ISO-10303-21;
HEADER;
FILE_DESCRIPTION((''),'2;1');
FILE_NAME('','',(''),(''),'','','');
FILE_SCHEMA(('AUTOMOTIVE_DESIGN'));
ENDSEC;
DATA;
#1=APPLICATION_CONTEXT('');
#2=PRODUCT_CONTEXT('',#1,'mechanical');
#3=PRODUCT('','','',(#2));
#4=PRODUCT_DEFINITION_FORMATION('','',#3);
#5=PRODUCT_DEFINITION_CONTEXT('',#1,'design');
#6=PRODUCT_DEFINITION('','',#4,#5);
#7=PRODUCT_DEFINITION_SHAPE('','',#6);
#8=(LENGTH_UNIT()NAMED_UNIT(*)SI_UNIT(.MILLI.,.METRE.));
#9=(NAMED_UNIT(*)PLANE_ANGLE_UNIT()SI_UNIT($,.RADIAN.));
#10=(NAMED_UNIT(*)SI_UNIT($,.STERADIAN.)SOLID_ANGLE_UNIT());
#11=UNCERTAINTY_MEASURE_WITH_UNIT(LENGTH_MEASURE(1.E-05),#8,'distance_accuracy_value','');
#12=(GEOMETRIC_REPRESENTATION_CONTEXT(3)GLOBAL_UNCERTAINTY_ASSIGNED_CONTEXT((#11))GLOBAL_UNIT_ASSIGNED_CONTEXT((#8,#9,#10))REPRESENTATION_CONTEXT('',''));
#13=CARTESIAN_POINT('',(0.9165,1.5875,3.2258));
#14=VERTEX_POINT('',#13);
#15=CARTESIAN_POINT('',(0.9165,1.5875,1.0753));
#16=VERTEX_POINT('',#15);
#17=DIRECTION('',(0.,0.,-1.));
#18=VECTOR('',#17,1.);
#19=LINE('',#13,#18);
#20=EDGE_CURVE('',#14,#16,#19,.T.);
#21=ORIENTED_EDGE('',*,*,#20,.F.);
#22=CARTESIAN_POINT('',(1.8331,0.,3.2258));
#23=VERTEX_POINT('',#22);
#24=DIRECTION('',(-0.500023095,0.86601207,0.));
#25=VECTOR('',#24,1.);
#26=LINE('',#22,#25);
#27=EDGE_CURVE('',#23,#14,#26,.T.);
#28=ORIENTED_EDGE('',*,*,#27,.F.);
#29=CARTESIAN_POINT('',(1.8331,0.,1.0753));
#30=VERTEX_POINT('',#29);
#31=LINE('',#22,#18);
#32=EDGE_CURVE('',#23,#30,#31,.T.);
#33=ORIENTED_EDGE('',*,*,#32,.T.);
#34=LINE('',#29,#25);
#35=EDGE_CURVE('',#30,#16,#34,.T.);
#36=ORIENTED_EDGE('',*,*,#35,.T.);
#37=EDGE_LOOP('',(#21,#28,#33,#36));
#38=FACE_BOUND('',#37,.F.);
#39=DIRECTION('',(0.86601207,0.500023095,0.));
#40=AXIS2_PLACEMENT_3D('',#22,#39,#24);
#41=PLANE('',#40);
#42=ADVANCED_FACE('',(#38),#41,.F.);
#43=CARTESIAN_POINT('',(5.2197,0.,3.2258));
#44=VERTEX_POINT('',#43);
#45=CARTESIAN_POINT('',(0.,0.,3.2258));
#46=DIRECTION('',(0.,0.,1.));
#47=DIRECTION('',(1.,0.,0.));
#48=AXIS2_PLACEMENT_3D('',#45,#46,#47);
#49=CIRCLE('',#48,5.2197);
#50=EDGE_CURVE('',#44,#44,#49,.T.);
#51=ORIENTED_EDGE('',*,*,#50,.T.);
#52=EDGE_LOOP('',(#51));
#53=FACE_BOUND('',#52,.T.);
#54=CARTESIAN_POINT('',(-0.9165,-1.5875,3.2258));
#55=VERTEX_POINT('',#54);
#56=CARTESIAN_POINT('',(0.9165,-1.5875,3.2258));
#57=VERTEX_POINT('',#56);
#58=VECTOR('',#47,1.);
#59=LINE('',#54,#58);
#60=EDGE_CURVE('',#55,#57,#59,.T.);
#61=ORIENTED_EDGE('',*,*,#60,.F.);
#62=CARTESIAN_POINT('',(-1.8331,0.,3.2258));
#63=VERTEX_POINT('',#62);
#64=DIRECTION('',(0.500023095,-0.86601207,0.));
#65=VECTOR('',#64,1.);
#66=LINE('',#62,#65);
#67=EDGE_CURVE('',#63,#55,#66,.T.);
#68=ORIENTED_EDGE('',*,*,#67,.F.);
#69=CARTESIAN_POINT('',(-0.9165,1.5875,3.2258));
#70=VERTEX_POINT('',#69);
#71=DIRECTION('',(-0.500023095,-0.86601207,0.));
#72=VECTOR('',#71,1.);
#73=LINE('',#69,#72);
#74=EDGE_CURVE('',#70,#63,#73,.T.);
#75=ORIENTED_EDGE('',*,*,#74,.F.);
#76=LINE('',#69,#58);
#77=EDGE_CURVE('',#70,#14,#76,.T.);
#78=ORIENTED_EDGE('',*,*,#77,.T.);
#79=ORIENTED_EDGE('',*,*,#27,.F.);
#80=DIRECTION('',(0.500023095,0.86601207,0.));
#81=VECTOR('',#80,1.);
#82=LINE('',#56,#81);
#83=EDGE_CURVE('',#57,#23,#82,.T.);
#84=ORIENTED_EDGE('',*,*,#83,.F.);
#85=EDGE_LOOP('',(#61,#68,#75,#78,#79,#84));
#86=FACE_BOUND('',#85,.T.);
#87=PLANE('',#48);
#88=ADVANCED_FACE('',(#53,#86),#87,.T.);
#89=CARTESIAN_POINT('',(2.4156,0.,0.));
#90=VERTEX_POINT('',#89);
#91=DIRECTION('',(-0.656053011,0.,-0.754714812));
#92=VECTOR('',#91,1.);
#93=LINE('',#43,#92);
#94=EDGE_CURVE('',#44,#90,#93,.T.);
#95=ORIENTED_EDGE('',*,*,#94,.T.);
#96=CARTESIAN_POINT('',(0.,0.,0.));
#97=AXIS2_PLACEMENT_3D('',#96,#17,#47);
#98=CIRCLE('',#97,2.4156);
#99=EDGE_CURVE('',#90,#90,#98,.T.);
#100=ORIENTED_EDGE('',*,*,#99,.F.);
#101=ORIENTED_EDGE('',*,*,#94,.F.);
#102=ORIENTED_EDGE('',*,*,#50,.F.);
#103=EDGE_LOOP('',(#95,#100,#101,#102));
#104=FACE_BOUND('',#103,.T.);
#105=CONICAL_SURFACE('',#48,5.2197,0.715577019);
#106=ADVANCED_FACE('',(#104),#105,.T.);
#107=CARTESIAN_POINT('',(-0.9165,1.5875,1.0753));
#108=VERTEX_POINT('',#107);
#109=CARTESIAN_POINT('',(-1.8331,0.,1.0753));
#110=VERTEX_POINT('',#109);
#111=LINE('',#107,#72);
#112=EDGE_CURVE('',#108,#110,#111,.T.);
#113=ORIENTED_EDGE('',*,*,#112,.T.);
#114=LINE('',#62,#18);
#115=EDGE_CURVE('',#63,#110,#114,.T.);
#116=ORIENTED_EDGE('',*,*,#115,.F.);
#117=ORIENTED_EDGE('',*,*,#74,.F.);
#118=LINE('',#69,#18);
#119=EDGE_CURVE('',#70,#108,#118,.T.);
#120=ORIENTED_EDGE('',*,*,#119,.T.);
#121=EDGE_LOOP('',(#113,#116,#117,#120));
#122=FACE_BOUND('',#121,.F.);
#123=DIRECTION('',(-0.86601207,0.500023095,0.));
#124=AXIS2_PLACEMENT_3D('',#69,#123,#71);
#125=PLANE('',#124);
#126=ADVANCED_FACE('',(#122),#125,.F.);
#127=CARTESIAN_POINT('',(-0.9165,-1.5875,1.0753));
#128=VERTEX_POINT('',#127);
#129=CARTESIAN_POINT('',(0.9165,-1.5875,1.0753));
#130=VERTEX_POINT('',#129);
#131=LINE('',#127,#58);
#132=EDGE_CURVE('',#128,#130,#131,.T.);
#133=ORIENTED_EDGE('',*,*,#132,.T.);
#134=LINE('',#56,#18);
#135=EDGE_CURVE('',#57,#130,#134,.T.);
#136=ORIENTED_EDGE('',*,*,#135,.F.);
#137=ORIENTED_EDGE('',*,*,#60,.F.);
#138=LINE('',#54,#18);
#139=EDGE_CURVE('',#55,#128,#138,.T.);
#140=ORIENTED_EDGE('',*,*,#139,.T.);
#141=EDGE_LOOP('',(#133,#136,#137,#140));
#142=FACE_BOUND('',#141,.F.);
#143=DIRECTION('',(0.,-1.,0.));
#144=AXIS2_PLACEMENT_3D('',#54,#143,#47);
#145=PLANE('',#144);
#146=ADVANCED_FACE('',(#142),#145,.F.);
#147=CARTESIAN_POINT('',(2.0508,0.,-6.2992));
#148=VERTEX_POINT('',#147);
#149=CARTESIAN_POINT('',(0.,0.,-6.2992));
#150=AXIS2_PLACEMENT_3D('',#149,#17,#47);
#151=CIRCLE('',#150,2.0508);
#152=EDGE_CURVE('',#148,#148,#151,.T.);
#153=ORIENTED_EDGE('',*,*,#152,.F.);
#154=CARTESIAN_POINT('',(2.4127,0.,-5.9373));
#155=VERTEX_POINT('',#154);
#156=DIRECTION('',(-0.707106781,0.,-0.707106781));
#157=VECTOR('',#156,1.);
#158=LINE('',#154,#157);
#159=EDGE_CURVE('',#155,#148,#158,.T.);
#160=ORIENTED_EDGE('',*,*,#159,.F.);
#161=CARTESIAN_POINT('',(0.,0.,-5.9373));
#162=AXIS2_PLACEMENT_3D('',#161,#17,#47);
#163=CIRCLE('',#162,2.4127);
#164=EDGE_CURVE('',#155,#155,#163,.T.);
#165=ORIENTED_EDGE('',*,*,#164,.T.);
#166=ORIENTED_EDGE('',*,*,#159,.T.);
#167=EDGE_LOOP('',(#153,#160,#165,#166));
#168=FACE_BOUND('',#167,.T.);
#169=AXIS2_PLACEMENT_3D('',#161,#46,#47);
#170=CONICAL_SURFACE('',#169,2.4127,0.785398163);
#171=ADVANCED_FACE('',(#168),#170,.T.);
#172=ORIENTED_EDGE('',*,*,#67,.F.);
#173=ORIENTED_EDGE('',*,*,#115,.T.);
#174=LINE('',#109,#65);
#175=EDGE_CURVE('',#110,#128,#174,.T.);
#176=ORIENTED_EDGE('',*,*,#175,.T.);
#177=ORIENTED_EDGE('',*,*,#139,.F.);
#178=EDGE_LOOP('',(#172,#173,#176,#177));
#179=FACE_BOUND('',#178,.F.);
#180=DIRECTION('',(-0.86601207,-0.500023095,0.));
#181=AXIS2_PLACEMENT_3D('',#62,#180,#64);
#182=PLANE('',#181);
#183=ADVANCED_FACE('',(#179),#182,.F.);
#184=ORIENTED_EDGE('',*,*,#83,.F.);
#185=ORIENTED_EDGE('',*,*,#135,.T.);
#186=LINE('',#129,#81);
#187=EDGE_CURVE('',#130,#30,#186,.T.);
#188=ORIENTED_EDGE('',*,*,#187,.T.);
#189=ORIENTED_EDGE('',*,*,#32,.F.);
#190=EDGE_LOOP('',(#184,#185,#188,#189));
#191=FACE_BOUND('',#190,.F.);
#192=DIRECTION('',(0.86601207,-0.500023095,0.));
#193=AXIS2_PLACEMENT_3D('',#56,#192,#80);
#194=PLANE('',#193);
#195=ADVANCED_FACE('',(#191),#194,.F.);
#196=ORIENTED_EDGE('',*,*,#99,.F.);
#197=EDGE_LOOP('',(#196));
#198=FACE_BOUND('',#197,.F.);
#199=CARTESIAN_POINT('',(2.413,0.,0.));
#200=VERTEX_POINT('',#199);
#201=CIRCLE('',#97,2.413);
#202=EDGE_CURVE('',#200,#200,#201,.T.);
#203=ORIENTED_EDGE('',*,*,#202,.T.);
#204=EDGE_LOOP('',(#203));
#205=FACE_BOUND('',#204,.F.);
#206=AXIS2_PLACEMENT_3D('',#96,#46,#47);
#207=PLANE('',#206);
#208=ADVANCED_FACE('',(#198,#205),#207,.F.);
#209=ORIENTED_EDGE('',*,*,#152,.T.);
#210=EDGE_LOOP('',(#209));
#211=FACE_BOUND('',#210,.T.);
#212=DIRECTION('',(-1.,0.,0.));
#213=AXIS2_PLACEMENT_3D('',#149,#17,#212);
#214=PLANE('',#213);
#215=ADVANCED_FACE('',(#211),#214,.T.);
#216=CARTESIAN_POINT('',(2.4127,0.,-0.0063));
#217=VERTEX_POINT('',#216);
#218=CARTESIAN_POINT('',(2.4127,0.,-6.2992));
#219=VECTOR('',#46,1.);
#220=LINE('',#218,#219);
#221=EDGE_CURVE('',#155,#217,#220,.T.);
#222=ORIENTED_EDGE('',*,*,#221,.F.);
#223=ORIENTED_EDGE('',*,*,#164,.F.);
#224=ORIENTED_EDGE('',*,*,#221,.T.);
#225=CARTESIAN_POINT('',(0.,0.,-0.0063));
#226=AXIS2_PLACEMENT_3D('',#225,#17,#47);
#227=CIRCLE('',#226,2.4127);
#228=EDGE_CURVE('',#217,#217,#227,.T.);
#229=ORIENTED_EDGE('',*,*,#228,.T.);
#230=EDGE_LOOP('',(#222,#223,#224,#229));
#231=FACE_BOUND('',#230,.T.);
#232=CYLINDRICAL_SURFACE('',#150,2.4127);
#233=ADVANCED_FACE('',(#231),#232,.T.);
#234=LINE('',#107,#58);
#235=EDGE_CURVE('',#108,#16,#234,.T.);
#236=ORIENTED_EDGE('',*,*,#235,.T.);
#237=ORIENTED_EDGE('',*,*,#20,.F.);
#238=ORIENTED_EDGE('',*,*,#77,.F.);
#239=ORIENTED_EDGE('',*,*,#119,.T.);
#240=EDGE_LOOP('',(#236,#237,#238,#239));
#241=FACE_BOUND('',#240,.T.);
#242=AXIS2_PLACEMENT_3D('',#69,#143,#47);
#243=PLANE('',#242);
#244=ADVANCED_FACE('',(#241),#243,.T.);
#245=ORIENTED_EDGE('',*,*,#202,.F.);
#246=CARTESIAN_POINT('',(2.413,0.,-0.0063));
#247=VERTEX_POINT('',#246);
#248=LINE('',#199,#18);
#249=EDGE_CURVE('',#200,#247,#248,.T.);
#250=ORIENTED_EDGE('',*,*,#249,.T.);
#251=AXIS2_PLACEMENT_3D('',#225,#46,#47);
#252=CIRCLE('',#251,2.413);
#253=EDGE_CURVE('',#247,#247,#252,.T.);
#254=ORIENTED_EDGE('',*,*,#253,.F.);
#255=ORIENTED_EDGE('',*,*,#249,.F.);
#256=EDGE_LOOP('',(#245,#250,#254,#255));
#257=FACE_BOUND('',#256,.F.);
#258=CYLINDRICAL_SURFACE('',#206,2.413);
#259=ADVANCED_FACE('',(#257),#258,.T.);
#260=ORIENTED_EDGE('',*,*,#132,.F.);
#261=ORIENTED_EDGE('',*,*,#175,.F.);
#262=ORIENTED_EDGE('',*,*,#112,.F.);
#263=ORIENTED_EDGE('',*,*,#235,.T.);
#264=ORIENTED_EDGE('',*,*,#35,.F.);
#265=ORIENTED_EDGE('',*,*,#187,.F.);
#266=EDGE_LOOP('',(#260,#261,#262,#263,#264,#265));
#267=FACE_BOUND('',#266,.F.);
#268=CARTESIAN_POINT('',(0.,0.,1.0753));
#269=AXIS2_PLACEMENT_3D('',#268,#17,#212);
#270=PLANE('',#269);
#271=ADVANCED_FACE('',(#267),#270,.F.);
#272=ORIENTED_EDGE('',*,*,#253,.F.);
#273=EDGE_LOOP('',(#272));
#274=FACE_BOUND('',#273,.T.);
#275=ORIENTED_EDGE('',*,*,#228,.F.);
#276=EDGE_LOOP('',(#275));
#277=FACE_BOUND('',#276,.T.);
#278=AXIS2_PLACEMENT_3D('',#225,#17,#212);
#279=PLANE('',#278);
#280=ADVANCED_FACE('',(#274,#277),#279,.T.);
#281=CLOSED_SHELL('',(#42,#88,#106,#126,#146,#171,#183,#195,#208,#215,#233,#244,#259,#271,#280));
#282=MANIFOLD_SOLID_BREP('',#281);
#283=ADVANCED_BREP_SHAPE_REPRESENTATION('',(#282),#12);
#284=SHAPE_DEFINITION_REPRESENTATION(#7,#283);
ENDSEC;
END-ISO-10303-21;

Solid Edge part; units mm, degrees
sketch "Sketch1" plane through (0, 0, 0) normal (0, 0, 1) x (1, 0, 0)
  circle A0 centre (0, 0) radius 5.2197
  dimension "D1" = 10.4394
extrude "Protrusion1" add sketch "Sketch1" along normal blind 3.2258
sketch "Sketch2" plane through (0, 0, 0) normal (0, 0, -1) x (1, 0, 0)
  circle A0 centre (0, 0) radius 2.413
extrude "Protrusion2" add sketch "Sketch2" along normal blind 6.2992
sketch "Sketch3" plane through (0, 0, -6.2992) normal (0, 0, -1) x (1, 0, 0)
  circle A0 centre (0, 0) radius 2.4127
extrude "Cutout1" cut sketch "Sketch3" against normal blind 6.2929 flip side to cut
chamfer "Chamfer_1" distance 0.3619 angle 45 1 edges at (-2.4127, 0, -6.2992)
sketch "Sketch4" plane through (0, 0, 3.2258) normal (0, 0, 1) x (1, 0, 0)
  line L0 (-0.9165, 1.5875) -> (0.9165, 1.5875)
  line L1 (1.8331, 0) -> (0.9165, 1.5875)
  line L2 (0.9165, -1.5875) -> (1.8331, 0)
  line L3 (-0.9165, -1.5875) -> (0.9165, -1.5875)
  line L4 (-1.8331, 0) -> (-0.9165, -1.5875)
  line L5 (-0.9165, 1.5875) -> (-1.8331, 0)
  dimension "D1" = 3.175
extrude "Cutout2" cut sketch "Sketch4" against normal blind 2.1505
sketch "Sketch5" plane through (0, 0, 0) normal (0, -1, 0) x (1, 0, 0)
  line L0 (5.2197, 3.2258) -> (2.4156, 0)
  line L1 (2.4156, 0) -> (5.2197, 0)
  line L2 (5.2197, 0) -> (5.2197, 3.2258)
revolve "RevolvedCutout1" cut sketch "Sketch5" angle 360 about axis through (0, 0, 14.0017) along (0, 0, -1)
properties part number "24100219"
